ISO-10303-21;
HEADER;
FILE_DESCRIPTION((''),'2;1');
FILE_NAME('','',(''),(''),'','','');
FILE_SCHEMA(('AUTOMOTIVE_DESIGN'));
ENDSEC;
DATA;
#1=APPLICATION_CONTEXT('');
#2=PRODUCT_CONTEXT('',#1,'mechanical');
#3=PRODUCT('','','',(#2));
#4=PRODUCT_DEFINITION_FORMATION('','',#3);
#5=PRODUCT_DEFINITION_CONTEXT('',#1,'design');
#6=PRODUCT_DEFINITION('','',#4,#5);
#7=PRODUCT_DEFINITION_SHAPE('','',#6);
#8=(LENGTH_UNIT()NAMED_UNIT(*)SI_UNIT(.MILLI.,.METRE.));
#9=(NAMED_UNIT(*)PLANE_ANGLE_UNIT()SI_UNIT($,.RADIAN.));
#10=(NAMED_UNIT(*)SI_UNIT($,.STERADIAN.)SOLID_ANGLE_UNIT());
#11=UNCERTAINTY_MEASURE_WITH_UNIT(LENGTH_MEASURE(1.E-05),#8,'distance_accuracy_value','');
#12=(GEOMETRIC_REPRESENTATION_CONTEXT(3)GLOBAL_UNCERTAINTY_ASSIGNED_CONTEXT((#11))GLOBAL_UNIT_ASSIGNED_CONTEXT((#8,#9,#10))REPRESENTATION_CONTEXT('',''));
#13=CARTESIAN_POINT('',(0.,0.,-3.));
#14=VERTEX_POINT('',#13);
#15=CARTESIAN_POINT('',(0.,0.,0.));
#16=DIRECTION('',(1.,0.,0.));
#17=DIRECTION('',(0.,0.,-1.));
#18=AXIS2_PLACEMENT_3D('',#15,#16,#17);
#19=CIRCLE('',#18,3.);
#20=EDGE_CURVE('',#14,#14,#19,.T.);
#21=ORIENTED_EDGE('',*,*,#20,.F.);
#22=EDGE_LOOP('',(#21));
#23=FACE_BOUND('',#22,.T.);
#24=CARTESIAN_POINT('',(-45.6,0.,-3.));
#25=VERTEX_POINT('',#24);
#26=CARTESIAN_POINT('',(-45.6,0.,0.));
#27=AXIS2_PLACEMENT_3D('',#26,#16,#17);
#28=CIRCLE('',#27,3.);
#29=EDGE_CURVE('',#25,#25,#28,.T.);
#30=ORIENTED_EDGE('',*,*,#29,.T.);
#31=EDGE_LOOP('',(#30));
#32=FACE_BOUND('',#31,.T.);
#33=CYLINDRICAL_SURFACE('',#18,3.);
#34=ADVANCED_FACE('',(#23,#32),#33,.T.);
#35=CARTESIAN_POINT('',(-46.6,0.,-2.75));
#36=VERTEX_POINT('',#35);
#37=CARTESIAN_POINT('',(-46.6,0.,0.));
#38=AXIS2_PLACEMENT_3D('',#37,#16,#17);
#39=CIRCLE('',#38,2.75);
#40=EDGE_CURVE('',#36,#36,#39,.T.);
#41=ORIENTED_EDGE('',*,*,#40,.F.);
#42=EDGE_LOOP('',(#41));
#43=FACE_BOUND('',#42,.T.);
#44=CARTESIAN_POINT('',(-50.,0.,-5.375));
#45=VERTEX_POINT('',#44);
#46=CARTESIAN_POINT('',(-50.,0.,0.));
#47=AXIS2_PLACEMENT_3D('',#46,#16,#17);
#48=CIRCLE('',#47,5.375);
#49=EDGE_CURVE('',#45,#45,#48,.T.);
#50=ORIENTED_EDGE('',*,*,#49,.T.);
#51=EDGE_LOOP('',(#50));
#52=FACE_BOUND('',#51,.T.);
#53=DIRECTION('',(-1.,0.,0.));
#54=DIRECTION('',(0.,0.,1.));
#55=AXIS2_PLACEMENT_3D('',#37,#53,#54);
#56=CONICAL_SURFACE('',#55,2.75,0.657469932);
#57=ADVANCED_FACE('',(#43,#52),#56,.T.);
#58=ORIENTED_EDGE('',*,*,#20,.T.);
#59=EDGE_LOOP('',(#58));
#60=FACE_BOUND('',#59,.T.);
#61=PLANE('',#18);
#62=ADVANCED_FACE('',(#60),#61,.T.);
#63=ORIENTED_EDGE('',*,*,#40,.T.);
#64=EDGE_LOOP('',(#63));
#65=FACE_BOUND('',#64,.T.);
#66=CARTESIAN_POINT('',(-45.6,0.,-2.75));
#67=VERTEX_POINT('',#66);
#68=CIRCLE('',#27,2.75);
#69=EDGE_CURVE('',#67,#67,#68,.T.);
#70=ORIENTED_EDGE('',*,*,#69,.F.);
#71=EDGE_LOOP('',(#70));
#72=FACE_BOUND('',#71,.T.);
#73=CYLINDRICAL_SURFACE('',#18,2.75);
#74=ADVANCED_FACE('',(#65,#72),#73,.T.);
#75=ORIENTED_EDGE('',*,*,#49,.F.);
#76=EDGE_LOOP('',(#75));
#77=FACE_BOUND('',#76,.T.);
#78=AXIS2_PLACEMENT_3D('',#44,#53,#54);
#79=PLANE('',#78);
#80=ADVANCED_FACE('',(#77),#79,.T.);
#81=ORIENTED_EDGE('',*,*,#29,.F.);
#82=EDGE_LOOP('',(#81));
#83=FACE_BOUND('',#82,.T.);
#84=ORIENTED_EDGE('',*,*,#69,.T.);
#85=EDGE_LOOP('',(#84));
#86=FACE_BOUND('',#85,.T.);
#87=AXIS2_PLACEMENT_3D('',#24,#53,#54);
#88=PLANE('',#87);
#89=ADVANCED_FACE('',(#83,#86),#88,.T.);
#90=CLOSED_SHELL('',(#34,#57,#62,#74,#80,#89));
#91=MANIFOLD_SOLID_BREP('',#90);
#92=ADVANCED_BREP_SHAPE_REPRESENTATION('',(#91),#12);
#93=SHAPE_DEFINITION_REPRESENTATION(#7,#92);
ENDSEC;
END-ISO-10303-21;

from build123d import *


with BuildPart() as part:
    # Sketch2 → Revolve1 (revolve)
    with BuildSketch(Plane(origin=(0, 0, 0), x_dir=(1, 0, 0), z_dir=(0, 1, 0))):
        Polygon((0, 0), (-46.6, 0), (-50, 0), (-50, 5.375), (-46.6, 2.75), (-45.6, 2.75), (-45.6, 3), (0, 3), align=None)
    revolve(axis=Axis((0, 0, 0), (-1, 0, 0)))


solid = part.part
